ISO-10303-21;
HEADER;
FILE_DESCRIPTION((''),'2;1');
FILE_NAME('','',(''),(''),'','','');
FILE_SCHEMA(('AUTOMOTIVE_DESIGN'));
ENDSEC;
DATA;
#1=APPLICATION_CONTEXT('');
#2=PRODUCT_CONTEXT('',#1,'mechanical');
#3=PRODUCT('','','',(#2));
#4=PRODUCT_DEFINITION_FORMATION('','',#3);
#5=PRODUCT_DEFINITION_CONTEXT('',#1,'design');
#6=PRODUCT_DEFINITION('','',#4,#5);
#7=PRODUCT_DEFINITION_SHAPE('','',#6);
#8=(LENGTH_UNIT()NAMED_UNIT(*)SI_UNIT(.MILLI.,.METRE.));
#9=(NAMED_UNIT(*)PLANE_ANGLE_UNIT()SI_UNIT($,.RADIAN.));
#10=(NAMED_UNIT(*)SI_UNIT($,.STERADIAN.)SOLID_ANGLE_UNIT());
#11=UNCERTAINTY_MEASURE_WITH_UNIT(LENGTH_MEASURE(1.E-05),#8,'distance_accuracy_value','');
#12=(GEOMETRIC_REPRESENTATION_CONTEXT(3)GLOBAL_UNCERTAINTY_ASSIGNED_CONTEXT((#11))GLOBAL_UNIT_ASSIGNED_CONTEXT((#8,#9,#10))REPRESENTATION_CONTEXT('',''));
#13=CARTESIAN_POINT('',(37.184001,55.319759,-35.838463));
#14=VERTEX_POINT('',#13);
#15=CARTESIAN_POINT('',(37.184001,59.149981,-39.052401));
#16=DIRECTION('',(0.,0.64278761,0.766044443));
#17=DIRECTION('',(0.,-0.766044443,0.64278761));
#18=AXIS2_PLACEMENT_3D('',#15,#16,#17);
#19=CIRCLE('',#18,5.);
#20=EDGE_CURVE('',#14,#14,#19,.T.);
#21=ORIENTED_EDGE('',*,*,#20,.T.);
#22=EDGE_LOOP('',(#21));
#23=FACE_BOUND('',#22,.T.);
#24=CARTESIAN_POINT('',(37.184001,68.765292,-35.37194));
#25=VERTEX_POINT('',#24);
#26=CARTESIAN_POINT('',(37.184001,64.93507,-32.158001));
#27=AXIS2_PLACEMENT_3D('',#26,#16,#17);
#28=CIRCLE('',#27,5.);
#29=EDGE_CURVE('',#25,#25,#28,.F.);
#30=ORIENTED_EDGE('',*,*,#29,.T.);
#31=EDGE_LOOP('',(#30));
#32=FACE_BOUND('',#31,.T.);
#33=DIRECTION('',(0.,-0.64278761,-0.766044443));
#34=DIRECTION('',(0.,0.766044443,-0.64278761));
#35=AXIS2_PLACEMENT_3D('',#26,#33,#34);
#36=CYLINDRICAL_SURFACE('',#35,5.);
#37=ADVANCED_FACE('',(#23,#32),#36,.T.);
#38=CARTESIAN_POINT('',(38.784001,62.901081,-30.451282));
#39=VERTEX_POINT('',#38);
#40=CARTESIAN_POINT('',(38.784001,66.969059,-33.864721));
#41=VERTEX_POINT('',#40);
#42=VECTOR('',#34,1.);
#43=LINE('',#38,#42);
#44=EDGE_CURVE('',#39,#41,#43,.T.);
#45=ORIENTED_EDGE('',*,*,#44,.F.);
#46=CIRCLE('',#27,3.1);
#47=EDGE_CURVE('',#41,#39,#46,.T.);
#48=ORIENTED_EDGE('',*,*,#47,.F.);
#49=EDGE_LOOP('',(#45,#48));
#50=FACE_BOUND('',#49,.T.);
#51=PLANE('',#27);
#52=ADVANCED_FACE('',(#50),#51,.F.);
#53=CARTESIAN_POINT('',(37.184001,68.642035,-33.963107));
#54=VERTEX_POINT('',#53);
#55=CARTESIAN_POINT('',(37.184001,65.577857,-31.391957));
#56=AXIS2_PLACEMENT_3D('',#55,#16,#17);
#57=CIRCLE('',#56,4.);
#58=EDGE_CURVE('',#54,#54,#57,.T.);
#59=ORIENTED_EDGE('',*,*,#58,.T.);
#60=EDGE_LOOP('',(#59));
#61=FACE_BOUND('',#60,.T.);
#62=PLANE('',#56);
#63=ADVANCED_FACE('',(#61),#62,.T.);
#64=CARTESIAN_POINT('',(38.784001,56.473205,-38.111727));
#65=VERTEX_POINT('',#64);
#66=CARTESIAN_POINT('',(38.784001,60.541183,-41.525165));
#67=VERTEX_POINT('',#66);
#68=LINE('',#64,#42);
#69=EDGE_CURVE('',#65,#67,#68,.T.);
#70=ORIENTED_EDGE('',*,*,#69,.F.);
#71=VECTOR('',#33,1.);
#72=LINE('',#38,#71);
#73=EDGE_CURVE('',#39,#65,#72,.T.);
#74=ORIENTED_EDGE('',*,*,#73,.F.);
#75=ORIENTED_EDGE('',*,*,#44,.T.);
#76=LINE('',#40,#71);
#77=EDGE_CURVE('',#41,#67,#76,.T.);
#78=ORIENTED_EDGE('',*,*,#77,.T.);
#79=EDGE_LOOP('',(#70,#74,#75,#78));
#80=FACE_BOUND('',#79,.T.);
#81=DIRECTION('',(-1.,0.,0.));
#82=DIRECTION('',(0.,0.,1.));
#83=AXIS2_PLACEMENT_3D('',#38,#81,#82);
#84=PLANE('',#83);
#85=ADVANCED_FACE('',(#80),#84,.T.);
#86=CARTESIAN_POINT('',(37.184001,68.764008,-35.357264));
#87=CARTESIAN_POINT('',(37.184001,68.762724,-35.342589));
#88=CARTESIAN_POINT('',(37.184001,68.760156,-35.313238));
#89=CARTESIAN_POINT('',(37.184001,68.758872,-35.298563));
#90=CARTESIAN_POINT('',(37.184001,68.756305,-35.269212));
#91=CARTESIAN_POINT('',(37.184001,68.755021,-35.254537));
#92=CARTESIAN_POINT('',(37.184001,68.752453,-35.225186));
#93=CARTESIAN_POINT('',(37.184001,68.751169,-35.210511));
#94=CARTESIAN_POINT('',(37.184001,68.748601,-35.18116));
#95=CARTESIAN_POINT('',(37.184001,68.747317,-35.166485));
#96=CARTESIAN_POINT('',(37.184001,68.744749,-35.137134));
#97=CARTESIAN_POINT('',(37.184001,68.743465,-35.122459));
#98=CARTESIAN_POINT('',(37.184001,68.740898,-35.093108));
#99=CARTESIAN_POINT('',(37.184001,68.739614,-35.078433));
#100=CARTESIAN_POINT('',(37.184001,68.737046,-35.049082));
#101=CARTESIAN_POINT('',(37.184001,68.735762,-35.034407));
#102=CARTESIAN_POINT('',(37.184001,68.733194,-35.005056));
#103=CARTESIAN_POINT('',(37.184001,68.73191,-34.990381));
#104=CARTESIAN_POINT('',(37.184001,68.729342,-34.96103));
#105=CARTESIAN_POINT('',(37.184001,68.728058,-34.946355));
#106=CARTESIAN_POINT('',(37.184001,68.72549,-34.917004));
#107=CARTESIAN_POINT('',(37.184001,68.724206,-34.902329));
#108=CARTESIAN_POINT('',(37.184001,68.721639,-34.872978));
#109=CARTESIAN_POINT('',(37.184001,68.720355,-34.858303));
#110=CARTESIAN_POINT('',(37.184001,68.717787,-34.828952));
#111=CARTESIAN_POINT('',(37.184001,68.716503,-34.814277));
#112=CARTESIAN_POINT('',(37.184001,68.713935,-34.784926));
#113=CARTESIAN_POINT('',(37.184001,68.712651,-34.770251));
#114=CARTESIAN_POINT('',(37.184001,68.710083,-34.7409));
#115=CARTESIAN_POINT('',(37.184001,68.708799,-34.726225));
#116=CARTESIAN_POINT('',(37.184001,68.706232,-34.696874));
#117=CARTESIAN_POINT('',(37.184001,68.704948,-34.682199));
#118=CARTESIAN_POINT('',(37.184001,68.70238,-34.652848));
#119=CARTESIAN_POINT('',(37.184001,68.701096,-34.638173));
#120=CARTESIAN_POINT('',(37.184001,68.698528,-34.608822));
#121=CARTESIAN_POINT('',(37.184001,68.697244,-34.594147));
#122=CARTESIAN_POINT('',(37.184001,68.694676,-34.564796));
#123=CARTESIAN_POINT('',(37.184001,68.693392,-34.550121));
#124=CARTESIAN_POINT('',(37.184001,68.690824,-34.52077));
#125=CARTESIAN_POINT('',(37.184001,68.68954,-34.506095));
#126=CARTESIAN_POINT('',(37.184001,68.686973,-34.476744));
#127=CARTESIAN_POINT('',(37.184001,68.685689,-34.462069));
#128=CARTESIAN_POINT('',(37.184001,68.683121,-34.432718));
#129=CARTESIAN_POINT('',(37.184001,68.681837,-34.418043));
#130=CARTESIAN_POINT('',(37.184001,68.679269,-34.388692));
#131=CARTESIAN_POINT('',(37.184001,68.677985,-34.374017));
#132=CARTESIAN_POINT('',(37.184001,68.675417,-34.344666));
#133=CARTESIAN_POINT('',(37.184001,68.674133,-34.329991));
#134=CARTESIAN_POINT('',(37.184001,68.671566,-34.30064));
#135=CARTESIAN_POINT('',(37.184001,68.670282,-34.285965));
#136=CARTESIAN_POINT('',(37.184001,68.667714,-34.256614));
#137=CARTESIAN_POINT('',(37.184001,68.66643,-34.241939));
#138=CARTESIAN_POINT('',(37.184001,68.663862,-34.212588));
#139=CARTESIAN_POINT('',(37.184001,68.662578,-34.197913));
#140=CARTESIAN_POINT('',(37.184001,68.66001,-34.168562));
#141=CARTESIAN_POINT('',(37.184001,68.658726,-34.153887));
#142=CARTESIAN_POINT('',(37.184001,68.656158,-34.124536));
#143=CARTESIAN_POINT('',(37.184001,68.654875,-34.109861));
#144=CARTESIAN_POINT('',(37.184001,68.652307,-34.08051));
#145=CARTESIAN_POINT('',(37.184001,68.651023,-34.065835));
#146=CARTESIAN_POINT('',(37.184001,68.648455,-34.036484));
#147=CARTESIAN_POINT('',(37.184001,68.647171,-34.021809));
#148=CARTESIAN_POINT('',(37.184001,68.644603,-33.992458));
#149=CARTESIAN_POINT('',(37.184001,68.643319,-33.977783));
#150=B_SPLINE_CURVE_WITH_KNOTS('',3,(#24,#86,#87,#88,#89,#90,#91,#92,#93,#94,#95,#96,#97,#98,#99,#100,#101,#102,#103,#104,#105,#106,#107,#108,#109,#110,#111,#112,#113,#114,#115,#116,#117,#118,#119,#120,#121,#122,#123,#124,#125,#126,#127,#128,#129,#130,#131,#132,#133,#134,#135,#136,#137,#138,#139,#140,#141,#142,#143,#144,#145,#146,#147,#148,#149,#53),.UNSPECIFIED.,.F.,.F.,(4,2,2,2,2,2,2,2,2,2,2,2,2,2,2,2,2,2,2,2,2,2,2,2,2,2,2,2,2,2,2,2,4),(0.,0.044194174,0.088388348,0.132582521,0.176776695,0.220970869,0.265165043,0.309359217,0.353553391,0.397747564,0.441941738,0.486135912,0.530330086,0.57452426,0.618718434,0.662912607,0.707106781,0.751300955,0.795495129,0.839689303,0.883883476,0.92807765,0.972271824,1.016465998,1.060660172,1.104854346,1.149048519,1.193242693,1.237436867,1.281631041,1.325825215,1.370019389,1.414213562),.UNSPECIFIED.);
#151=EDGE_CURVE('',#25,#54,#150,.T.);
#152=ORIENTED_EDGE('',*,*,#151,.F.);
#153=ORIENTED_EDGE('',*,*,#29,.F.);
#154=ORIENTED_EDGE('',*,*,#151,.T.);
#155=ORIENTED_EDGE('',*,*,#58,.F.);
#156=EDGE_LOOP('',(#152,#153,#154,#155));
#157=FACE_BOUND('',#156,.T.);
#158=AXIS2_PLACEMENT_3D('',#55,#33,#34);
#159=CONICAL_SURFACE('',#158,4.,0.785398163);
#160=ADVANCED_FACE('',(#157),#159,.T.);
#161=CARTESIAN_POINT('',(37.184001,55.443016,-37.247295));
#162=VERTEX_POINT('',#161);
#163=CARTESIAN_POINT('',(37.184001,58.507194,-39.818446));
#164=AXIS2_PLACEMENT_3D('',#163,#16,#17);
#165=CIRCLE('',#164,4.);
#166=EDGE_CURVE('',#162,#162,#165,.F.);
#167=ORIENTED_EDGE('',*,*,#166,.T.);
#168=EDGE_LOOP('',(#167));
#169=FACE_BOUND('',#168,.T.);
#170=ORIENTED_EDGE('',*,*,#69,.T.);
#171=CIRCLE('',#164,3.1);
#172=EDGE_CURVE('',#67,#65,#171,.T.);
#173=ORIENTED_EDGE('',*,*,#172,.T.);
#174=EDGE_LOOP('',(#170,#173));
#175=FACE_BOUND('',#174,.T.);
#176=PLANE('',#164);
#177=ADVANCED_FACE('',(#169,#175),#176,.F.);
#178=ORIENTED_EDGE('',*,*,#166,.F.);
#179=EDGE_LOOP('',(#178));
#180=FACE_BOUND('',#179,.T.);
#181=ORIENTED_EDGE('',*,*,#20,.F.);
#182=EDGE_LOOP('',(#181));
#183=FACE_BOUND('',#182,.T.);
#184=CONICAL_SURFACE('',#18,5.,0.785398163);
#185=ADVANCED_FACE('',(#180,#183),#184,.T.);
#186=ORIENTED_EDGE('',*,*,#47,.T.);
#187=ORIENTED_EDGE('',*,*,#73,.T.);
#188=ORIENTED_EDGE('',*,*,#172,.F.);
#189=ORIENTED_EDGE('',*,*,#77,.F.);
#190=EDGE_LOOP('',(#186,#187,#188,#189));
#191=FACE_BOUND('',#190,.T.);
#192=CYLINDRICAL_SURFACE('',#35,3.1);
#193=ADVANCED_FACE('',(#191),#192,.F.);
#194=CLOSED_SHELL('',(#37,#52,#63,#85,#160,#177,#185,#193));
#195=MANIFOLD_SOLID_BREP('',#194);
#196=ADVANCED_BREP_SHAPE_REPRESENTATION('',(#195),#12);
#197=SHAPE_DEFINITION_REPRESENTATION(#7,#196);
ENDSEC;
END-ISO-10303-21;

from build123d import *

# Parameters (mm, degrees)
SKETCH2_R           = 5
BOSS_EXTRUDE1_DEPTH = 10
SKETCH3_R           = 5
BOSS_EXTRUDE2_DEPTH = 1
CHAMFER1_SIZE       = 1


with BuildPart() as part:
    # Sketch2 → Boss-Extrude1 (new body)
    with BuildSketch(Plane(origin=(0, 4.567005967, 5.442745768), x_dir=(1, 0, 0), z_dir=(0, 0.6427876096865435, 0.7660444431189747))):
        with Locations(Location((37.184001138, 70.413914347, 0), (0, 0, 270))):
            Circle(SKETCH2_R)
        with BuildLine():
            Line((38.784001138, 67.758730476), (38.784001138, 73.069098218))
            ThreePointArc((38.784001138, 73.069098218), (34.084000914, 70.413914347), (38.784001138, 67.758730476))
        make_face(mode=Mode.SUBTRACT)
    extrude(amount=BOSS_EXTRUDE1_DEPTH)

    # Sketch3 → Boss-Extrude2 (add)
    with BuildSketch(Plane(origin=(0, 10.994882064, 13.1031902), x_dir=(1, 0, 0), z_dir=(0, 0.6427876096865434, 0.7660444431189747))):
        with Locations(Location((37.184001138, 70.413914347, 0), (0, 0, 270))):
            Circle(SKETCH3_R)
    extrude(amount=BOSS_EXTRUDE2_DEPTH)

    # Chamfer1
    chamfer1_edges = [part.edges().sort_by_distance(p)[0] for p in [
        (37.184001138, 69.408079693, -34.605895097),
        (37.184001138, 62.337415986, -43.032383972),
    ]]
    chamfer(chamfer1_edges, length=CHAMFER1_SIZE)


solid = part.part
